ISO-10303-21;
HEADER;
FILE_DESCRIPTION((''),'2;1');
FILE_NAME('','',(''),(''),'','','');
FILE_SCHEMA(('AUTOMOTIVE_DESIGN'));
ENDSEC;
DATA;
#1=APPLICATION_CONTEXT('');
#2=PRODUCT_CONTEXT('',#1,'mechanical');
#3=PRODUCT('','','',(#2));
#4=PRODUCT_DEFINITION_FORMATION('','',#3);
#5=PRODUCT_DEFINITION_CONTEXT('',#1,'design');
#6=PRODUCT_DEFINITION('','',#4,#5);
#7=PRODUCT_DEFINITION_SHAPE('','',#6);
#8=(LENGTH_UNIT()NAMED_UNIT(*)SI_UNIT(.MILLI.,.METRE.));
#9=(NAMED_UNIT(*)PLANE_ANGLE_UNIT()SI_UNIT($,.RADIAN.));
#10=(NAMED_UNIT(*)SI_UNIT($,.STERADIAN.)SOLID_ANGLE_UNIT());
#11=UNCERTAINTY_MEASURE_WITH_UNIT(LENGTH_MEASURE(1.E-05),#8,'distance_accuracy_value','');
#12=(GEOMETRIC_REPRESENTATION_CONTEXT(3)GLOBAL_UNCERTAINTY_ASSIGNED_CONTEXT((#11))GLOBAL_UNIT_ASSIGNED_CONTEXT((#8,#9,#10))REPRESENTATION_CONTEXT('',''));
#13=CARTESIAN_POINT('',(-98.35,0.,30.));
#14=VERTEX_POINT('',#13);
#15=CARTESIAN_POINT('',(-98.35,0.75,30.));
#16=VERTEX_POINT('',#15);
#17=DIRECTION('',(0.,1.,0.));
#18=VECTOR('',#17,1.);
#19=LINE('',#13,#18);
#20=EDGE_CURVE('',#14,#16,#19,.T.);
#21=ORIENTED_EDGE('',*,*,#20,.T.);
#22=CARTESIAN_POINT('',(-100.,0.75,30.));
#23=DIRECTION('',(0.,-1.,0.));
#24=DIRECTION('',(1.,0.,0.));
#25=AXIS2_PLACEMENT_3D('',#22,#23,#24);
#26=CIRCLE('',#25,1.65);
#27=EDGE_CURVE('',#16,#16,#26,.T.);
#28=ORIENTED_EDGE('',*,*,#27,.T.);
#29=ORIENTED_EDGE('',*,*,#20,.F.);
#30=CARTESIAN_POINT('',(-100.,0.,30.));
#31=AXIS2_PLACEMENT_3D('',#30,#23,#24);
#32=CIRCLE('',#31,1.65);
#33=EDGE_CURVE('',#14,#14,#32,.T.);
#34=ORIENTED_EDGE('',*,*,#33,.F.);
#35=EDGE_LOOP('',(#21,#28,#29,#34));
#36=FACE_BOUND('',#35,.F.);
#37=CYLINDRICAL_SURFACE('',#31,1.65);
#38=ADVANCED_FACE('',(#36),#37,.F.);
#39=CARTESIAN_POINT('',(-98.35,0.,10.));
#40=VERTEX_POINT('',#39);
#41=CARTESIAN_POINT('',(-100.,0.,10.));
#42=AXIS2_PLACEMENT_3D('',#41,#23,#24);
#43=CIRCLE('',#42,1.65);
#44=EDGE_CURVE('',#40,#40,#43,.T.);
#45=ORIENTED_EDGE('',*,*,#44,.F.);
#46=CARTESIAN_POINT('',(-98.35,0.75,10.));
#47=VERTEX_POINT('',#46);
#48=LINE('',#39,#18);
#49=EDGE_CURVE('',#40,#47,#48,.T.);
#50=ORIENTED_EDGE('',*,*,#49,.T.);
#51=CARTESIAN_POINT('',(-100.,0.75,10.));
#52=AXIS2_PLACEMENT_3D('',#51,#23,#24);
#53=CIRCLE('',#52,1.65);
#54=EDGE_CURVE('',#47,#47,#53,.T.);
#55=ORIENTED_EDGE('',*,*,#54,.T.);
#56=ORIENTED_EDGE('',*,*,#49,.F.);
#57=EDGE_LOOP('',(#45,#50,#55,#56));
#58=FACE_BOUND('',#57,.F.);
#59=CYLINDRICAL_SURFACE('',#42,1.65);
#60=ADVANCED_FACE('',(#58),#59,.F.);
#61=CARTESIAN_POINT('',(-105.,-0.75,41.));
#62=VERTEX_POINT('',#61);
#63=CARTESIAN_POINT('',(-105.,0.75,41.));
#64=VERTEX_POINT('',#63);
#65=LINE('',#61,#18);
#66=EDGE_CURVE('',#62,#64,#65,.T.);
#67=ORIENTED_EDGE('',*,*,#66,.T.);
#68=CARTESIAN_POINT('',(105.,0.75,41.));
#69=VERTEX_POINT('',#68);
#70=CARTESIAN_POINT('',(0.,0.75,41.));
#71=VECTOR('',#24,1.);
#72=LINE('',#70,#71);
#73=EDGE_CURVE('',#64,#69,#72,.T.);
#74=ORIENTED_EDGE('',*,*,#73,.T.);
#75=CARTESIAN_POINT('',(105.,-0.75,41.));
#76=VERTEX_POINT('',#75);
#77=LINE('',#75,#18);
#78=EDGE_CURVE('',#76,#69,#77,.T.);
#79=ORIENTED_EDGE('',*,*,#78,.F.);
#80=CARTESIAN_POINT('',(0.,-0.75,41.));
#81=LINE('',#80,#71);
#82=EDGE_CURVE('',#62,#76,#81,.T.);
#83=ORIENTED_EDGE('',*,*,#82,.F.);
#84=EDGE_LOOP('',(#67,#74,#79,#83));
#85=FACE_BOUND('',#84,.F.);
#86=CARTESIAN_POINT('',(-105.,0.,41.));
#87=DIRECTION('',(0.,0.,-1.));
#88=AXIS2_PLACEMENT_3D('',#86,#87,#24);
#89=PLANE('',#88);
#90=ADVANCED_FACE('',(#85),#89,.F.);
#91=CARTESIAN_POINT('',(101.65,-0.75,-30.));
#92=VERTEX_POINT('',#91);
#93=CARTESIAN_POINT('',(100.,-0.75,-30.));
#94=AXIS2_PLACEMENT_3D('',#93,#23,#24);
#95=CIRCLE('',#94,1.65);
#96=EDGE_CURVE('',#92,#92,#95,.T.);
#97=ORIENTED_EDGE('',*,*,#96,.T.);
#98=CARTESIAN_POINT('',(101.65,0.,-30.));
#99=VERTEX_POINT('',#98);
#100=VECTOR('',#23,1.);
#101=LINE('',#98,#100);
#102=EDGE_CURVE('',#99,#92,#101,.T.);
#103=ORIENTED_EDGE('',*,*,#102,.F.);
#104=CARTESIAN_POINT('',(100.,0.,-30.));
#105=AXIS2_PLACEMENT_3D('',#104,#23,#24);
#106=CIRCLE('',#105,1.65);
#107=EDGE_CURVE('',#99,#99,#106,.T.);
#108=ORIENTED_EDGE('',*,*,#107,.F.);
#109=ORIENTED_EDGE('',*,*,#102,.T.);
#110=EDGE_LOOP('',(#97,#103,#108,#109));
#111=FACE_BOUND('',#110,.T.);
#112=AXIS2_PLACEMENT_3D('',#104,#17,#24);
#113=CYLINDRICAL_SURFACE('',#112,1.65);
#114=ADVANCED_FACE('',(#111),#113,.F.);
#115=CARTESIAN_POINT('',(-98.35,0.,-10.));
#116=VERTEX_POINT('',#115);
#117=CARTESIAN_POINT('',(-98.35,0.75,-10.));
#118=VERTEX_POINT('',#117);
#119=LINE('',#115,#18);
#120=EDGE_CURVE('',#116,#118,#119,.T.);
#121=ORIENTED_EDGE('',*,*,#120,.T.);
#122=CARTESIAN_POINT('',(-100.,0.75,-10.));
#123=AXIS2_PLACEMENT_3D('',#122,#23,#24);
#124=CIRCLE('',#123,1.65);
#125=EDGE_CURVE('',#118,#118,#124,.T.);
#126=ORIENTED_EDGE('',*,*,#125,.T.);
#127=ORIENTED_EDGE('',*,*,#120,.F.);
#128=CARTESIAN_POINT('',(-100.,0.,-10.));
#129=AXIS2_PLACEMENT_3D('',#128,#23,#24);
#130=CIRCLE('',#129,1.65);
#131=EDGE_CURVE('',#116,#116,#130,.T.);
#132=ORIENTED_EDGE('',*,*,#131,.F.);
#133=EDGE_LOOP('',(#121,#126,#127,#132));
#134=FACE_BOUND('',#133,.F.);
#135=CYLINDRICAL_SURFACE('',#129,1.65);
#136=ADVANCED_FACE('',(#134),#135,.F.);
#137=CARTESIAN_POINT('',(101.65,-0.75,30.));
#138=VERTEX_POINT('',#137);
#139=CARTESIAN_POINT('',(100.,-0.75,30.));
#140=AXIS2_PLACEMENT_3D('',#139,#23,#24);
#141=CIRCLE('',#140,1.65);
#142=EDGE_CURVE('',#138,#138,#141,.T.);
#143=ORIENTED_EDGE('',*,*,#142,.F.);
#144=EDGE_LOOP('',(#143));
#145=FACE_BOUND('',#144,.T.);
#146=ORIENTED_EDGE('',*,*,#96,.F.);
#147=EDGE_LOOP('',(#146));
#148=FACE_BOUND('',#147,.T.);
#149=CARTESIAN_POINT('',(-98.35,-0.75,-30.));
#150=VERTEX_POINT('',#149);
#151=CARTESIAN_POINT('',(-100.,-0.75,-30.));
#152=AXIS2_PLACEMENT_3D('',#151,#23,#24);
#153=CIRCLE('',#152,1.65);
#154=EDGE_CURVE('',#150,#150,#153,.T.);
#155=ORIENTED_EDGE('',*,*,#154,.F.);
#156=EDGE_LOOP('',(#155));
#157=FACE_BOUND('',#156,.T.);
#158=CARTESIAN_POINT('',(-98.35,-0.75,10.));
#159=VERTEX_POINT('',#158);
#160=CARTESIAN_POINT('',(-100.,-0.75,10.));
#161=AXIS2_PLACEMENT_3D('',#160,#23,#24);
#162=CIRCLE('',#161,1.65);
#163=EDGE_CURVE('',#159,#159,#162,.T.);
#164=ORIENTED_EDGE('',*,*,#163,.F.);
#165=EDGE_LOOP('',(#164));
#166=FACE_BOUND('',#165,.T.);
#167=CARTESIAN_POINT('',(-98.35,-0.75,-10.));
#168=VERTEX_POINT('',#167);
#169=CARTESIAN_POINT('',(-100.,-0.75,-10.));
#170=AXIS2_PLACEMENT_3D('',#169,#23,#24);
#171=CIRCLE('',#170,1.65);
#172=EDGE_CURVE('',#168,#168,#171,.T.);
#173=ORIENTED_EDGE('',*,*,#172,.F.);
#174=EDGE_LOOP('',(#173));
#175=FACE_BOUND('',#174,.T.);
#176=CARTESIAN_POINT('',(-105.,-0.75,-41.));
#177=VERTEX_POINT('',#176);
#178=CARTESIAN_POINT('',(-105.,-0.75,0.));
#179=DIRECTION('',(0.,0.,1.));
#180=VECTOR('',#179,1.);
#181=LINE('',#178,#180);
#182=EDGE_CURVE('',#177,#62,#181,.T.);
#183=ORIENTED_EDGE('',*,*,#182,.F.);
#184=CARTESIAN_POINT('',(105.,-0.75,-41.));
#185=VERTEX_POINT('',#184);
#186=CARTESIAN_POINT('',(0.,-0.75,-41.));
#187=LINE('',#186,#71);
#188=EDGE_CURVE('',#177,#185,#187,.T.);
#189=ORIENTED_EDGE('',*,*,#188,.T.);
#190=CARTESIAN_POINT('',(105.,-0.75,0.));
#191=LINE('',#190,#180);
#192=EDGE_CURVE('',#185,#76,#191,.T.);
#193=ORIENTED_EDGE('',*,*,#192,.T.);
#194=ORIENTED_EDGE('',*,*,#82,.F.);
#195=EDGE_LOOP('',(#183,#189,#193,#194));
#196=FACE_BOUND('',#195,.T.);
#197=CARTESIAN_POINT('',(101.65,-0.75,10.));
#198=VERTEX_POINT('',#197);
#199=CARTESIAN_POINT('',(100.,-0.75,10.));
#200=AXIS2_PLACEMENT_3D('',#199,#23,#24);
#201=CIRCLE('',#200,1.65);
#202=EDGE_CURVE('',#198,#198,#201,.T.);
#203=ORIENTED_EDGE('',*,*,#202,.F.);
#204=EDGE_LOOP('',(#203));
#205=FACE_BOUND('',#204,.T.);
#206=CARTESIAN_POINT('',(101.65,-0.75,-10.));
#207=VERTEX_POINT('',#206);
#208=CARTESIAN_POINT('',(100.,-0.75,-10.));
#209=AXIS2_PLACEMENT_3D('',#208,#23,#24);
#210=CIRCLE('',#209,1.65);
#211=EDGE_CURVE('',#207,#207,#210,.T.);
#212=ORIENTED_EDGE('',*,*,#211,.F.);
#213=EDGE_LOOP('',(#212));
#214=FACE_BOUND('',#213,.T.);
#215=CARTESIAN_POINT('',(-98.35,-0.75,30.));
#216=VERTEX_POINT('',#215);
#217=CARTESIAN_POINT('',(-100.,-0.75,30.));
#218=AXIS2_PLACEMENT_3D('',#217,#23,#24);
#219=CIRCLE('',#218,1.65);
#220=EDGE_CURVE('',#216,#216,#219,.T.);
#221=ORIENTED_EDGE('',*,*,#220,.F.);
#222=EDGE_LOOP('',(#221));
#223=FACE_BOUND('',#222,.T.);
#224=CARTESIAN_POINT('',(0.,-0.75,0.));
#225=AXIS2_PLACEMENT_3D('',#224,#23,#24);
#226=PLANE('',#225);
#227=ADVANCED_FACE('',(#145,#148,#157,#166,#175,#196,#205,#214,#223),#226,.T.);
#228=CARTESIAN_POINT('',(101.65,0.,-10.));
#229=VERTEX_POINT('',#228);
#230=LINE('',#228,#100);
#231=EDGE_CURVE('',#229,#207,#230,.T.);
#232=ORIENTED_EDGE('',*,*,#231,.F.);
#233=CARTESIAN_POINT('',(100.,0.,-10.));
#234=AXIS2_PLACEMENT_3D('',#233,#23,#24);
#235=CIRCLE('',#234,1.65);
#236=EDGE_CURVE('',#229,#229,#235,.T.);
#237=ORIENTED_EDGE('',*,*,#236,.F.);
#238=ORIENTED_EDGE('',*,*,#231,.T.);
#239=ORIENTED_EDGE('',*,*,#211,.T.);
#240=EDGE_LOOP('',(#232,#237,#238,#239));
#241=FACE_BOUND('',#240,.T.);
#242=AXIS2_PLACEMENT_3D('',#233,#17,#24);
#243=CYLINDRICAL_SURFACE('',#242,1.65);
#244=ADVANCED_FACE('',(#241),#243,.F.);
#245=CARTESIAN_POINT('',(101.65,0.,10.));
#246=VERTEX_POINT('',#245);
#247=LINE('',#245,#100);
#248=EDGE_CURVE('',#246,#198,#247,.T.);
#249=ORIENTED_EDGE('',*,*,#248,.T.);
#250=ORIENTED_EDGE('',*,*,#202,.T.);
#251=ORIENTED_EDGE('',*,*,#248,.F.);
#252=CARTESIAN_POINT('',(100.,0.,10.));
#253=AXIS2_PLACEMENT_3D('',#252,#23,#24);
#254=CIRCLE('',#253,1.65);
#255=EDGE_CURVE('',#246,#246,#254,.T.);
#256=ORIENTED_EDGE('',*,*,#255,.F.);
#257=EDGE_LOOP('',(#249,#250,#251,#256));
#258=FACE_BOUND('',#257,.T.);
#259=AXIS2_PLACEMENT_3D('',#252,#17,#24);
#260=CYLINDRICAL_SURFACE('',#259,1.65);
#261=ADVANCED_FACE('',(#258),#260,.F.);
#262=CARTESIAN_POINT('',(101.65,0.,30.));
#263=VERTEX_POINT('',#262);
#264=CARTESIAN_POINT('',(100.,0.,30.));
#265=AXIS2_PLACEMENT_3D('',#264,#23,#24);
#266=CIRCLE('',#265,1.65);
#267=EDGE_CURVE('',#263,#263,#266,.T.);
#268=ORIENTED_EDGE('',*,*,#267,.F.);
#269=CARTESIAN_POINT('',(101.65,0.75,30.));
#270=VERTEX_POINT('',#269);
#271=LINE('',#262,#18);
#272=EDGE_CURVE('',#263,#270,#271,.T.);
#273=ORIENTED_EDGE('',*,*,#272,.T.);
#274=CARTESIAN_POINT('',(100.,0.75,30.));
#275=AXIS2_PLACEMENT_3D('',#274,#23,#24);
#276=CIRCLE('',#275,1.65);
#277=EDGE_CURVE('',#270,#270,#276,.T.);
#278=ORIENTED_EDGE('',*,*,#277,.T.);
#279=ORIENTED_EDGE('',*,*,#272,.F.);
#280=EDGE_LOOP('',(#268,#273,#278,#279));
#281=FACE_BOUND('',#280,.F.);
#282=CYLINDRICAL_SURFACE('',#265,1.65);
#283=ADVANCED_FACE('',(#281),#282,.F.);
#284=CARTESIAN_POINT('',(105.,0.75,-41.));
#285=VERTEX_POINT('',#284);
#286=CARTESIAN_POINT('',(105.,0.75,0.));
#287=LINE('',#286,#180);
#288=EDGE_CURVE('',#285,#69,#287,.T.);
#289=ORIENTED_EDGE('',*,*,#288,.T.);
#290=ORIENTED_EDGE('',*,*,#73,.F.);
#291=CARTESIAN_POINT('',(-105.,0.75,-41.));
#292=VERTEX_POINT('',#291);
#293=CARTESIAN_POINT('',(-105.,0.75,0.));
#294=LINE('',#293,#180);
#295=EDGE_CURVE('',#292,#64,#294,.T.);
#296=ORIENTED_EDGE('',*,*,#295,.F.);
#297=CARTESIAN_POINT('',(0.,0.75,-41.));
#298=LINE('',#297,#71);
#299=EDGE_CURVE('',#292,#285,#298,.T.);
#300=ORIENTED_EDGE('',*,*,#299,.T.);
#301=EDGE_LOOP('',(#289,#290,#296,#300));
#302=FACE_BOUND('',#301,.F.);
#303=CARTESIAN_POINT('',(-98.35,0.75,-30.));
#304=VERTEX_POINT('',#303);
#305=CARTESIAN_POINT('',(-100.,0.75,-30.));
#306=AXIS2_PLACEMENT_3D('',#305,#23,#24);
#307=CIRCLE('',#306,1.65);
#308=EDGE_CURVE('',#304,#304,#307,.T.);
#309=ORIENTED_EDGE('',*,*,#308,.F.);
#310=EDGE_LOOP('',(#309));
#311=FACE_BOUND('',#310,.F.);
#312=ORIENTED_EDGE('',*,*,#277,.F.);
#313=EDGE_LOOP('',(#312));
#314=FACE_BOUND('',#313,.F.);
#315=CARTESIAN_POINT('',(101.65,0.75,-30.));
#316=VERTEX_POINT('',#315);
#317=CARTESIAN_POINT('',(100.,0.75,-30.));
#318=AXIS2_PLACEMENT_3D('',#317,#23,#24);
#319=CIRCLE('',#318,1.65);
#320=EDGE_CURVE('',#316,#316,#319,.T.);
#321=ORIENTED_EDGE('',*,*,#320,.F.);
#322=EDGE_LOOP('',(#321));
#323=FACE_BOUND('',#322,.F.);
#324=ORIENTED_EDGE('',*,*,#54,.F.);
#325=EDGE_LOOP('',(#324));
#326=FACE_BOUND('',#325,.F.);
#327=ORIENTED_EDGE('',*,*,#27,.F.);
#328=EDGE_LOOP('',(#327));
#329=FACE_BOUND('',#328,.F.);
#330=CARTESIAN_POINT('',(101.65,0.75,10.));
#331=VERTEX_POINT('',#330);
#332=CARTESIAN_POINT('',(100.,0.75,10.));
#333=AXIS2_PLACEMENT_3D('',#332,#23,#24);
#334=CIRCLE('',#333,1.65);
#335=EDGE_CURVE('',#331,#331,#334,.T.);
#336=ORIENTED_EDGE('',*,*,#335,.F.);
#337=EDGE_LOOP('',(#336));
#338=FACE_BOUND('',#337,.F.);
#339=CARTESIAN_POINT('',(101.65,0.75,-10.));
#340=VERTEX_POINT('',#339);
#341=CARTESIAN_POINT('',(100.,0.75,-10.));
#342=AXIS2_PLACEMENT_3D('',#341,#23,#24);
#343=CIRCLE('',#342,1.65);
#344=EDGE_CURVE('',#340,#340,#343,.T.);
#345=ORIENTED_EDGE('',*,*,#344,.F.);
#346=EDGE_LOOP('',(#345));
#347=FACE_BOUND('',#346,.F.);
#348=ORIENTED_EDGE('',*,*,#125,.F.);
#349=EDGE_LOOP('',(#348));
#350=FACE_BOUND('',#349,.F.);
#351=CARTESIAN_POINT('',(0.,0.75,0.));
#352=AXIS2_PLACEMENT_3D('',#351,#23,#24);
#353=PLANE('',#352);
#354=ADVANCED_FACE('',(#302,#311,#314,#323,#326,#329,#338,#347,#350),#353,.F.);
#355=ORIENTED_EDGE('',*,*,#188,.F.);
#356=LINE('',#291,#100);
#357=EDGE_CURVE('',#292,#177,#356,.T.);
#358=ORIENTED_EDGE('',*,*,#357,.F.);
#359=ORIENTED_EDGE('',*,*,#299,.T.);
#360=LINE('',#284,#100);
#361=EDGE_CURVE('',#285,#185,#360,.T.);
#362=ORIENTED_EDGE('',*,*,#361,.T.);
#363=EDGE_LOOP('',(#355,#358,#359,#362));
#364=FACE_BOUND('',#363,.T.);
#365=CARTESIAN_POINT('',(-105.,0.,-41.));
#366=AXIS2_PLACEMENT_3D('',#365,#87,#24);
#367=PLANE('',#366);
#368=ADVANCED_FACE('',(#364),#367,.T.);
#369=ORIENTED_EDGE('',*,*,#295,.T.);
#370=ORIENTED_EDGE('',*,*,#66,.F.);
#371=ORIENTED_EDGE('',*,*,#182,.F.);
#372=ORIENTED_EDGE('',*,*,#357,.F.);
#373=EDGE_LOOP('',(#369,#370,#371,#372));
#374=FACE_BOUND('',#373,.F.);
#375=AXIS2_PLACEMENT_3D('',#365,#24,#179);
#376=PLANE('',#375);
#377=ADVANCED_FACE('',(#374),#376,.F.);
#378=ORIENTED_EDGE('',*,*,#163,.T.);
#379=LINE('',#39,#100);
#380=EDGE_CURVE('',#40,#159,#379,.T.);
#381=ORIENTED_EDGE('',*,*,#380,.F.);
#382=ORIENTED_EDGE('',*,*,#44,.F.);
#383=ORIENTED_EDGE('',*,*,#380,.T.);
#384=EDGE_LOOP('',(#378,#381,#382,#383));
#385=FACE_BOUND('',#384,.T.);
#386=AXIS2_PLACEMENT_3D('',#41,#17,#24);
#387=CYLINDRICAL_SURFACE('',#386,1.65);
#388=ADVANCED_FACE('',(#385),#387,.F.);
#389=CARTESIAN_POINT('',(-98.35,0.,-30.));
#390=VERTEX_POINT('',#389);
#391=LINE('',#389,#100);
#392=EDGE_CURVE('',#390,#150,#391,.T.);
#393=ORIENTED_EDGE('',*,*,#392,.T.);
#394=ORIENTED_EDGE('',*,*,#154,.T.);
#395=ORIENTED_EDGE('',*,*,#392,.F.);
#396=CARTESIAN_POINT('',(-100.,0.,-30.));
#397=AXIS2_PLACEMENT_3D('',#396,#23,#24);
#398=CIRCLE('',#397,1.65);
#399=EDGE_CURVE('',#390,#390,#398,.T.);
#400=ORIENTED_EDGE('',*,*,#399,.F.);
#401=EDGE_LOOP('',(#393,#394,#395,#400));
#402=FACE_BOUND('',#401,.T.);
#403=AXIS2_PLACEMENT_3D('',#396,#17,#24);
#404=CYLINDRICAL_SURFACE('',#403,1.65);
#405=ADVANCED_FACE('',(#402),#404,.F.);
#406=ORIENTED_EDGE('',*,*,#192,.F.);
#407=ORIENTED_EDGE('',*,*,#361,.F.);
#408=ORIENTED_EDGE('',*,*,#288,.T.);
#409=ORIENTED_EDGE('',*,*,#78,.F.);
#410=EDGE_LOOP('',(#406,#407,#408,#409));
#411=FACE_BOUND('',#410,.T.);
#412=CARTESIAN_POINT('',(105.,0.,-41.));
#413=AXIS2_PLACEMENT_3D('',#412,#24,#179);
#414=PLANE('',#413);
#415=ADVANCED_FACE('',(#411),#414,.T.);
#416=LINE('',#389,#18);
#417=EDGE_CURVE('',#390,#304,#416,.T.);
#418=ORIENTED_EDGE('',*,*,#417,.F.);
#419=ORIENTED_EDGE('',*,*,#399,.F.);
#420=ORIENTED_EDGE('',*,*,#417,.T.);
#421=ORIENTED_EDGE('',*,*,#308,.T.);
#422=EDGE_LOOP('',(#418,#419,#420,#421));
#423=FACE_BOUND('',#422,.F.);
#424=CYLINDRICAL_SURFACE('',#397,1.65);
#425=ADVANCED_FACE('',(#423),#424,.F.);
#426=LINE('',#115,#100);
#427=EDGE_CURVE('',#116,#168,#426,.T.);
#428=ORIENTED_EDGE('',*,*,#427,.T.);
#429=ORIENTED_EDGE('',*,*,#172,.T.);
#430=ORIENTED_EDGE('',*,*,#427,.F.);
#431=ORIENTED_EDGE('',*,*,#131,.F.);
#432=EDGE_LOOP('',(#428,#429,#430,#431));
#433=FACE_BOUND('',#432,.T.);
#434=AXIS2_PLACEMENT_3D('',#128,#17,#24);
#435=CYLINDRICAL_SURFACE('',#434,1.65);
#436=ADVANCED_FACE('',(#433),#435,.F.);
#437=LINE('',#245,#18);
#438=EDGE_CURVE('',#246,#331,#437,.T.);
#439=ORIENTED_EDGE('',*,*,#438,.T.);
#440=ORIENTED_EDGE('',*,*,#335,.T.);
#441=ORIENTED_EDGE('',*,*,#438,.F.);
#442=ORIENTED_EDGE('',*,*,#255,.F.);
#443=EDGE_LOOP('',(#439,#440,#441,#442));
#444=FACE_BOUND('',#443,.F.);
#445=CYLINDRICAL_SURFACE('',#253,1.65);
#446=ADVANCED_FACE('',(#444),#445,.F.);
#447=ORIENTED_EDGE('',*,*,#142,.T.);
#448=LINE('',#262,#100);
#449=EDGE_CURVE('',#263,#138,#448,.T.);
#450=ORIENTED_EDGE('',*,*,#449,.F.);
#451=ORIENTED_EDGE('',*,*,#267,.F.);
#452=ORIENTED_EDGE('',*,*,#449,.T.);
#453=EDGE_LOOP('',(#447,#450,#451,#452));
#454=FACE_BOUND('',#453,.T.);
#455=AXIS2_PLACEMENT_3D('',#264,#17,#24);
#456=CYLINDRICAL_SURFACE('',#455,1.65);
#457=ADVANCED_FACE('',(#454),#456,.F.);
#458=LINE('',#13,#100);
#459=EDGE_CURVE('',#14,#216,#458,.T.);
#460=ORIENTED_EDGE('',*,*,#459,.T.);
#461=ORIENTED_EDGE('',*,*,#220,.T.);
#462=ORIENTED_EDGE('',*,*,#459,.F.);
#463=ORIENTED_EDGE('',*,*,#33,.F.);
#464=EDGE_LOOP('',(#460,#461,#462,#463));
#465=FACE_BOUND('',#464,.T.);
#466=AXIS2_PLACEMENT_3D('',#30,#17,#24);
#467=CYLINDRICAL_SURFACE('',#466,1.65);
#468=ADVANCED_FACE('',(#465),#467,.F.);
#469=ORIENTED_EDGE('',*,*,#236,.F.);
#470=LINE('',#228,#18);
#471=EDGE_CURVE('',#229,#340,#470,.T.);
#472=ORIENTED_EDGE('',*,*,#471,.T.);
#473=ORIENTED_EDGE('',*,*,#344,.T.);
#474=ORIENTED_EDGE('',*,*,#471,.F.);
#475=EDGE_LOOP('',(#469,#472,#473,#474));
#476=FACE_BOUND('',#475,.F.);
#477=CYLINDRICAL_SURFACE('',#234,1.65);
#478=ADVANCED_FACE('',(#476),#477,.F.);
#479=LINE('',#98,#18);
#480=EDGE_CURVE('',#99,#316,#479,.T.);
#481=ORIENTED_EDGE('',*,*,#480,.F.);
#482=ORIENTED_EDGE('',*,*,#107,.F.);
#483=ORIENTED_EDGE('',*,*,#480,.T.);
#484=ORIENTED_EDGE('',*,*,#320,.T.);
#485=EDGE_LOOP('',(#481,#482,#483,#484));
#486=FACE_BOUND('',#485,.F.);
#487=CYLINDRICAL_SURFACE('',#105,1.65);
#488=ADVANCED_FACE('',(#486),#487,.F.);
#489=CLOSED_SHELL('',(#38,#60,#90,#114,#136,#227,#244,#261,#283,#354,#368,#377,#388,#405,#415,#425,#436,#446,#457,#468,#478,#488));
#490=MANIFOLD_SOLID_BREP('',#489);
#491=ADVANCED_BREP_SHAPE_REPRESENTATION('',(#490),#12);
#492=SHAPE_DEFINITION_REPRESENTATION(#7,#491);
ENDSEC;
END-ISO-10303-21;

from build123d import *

# Parameters (mm, degrees)
SKETCH_W       = 210
SKETCH_H       = 82
SKETCH_R       = 1.65
PAD_DEPTH      = 0.75
PAD_DEPTH_BACK = 0.75


with BuildPart() as part:
    # Sketch → Pad (new body, two sides)
    with BuildSketch(Plane.XZ) as pad_sk:
        Rectangle(SKETCH_W, SKETCH_H)
        with Locations((100, 30)):
            Circle(SKETCH_R, mode=Mode.SUBTRACT)
        with Locations((100, 10)):
            Circle(SKETCH_R, mode=Mode.SUBTRACT)
        with Locations((100, -30)):
            Circle(SKETCH_R, mode=Mode.SUBTRACT)
        with Locations((100, -10)):
            Circle(SKETCH_R, mode=Mode.SUBTRACT)
        with Locations((-100, 30)):
            Circle(SKETCH_R, mode=Mode.SUBTRACT)
        with Locations((-100, 10)):
            Circle(SKETCH_R, mode=Mode.SUBTRACT)
        with Locations((-100, -30)):
            Circle(SKETCH_R, mode=Mode.SUBTRACT)
        with Locations((-100, -10)):
            Circle(SKETCH_R, mode=Mode.SUBTRACT)
    extrude(amount=PAD_DEPTH)
    extrude(pad_sk.sketch, amount=-PAD_DEPTH_BACK)


solid = part.part
